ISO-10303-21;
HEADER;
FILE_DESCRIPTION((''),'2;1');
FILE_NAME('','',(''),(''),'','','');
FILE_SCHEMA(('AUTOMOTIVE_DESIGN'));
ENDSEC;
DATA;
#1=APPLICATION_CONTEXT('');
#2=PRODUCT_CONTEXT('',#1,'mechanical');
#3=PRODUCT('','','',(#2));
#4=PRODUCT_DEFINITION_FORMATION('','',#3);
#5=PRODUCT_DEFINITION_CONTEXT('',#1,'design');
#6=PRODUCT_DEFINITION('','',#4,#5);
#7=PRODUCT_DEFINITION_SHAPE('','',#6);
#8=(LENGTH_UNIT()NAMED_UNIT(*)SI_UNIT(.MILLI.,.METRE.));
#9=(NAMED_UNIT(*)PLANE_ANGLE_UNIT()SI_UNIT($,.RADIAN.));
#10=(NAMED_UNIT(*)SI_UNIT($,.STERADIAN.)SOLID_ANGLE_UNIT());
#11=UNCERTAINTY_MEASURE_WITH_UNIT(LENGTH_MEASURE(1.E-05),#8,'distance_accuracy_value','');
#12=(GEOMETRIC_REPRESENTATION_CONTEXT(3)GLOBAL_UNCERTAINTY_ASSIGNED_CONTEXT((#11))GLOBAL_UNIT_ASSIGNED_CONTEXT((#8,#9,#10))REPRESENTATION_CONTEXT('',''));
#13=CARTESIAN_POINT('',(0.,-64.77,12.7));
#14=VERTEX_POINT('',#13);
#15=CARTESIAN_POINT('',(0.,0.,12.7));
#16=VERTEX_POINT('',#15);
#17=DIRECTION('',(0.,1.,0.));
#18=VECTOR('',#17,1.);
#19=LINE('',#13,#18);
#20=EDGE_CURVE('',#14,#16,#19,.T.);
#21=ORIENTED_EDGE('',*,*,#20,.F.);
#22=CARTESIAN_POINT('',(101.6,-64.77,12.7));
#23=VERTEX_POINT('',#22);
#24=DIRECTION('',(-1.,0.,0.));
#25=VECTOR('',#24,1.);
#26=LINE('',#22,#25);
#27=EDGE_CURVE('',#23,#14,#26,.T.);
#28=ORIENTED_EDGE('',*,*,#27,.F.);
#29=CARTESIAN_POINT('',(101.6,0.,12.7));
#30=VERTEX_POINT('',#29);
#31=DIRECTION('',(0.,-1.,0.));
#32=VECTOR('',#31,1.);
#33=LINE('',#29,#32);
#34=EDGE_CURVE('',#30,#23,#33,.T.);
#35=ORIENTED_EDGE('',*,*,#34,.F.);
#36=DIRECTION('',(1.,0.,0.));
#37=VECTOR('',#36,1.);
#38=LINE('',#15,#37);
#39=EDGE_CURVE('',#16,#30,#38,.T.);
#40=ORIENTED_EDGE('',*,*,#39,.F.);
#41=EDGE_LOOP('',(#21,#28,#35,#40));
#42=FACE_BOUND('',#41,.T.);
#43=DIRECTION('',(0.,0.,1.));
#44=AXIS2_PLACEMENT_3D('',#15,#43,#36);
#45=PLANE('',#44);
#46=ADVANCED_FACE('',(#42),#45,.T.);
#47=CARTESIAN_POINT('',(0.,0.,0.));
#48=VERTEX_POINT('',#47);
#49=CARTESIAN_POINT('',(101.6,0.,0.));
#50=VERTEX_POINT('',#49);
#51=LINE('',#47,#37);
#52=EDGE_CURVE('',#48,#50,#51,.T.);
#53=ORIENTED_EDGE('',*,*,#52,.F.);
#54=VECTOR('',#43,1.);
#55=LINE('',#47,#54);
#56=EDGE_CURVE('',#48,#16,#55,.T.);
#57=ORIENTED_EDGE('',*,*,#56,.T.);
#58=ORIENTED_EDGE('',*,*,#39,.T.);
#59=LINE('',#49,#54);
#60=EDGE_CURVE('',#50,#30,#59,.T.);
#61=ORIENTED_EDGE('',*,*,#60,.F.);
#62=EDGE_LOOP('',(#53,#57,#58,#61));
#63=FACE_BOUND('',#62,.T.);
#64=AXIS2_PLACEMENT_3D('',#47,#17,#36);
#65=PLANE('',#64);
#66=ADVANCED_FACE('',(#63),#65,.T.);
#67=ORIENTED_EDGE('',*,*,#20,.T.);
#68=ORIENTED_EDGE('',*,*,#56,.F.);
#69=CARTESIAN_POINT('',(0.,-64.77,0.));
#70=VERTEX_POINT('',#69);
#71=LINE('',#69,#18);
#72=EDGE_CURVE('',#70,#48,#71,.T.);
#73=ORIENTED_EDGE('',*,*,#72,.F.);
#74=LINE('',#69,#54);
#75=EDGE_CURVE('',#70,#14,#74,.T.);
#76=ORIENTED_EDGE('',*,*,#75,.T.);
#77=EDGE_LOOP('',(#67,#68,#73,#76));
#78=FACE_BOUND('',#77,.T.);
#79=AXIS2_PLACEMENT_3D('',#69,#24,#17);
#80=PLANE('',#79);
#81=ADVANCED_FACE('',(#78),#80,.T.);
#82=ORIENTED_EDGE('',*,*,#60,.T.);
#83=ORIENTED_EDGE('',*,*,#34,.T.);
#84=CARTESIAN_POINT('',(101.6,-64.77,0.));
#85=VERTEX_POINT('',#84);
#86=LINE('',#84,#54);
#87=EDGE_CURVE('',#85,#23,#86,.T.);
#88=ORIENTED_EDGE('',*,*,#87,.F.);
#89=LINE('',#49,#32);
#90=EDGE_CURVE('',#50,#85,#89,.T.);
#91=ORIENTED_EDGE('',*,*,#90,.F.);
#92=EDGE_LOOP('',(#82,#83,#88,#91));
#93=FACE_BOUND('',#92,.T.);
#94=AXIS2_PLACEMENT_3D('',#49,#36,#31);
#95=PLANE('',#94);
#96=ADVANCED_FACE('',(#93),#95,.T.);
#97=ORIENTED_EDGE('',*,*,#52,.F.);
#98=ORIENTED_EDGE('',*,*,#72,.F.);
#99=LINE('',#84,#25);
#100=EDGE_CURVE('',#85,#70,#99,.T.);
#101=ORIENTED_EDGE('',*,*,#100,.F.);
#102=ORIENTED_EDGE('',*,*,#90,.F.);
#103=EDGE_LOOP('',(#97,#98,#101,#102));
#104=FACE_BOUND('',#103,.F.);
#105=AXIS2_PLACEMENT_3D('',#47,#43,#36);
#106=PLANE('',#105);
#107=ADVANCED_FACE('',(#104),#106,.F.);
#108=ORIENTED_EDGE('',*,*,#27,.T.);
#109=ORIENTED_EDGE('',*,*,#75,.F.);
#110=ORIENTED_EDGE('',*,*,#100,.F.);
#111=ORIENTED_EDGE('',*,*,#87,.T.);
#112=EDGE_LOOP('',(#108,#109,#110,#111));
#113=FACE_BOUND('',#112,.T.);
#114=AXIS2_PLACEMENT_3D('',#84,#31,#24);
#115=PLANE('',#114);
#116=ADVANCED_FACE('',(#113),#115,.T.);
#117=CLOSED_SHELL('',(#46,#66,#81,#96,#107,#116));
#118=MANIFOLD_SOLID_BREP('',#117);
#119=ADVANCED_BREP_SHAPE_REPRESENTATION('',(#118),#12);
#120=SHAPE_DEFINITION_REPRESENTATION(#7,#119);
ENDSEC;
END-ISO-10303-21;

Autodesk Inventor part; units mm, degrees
ref_plane "YZ Plane" through (0, 0, 0) normal (1, 0, 0) x (0, 1, 0)
ref_plane "XZ Plane" through (0, 0, 0) normal (0, 1, 0) x (-1, 0, 0)
ref_plane "XY Plane" through (0, 0, 0) normal (0, 0, 1) x (1, 0, 0)
sketch "Sketch1" plane through (0, 0, 0) normal (0, 0, 1) x (1, 0, 0)
  line L0 (0, 0) -> (101.6, 0)
  line L1 (101.6, 0) -> (101.6, -64.77)
  line L2 (101.6, -64.77) -> (0, -64.77)
  line L3 (0, -64.77) -> (0, 0)
  dimension "d0" = 101.6
  dimension "d1" = 64.77
extrude "Extrusion1" add sketch "Sketch1" along normal blind 12.7
properties part number "BBPBlock"
